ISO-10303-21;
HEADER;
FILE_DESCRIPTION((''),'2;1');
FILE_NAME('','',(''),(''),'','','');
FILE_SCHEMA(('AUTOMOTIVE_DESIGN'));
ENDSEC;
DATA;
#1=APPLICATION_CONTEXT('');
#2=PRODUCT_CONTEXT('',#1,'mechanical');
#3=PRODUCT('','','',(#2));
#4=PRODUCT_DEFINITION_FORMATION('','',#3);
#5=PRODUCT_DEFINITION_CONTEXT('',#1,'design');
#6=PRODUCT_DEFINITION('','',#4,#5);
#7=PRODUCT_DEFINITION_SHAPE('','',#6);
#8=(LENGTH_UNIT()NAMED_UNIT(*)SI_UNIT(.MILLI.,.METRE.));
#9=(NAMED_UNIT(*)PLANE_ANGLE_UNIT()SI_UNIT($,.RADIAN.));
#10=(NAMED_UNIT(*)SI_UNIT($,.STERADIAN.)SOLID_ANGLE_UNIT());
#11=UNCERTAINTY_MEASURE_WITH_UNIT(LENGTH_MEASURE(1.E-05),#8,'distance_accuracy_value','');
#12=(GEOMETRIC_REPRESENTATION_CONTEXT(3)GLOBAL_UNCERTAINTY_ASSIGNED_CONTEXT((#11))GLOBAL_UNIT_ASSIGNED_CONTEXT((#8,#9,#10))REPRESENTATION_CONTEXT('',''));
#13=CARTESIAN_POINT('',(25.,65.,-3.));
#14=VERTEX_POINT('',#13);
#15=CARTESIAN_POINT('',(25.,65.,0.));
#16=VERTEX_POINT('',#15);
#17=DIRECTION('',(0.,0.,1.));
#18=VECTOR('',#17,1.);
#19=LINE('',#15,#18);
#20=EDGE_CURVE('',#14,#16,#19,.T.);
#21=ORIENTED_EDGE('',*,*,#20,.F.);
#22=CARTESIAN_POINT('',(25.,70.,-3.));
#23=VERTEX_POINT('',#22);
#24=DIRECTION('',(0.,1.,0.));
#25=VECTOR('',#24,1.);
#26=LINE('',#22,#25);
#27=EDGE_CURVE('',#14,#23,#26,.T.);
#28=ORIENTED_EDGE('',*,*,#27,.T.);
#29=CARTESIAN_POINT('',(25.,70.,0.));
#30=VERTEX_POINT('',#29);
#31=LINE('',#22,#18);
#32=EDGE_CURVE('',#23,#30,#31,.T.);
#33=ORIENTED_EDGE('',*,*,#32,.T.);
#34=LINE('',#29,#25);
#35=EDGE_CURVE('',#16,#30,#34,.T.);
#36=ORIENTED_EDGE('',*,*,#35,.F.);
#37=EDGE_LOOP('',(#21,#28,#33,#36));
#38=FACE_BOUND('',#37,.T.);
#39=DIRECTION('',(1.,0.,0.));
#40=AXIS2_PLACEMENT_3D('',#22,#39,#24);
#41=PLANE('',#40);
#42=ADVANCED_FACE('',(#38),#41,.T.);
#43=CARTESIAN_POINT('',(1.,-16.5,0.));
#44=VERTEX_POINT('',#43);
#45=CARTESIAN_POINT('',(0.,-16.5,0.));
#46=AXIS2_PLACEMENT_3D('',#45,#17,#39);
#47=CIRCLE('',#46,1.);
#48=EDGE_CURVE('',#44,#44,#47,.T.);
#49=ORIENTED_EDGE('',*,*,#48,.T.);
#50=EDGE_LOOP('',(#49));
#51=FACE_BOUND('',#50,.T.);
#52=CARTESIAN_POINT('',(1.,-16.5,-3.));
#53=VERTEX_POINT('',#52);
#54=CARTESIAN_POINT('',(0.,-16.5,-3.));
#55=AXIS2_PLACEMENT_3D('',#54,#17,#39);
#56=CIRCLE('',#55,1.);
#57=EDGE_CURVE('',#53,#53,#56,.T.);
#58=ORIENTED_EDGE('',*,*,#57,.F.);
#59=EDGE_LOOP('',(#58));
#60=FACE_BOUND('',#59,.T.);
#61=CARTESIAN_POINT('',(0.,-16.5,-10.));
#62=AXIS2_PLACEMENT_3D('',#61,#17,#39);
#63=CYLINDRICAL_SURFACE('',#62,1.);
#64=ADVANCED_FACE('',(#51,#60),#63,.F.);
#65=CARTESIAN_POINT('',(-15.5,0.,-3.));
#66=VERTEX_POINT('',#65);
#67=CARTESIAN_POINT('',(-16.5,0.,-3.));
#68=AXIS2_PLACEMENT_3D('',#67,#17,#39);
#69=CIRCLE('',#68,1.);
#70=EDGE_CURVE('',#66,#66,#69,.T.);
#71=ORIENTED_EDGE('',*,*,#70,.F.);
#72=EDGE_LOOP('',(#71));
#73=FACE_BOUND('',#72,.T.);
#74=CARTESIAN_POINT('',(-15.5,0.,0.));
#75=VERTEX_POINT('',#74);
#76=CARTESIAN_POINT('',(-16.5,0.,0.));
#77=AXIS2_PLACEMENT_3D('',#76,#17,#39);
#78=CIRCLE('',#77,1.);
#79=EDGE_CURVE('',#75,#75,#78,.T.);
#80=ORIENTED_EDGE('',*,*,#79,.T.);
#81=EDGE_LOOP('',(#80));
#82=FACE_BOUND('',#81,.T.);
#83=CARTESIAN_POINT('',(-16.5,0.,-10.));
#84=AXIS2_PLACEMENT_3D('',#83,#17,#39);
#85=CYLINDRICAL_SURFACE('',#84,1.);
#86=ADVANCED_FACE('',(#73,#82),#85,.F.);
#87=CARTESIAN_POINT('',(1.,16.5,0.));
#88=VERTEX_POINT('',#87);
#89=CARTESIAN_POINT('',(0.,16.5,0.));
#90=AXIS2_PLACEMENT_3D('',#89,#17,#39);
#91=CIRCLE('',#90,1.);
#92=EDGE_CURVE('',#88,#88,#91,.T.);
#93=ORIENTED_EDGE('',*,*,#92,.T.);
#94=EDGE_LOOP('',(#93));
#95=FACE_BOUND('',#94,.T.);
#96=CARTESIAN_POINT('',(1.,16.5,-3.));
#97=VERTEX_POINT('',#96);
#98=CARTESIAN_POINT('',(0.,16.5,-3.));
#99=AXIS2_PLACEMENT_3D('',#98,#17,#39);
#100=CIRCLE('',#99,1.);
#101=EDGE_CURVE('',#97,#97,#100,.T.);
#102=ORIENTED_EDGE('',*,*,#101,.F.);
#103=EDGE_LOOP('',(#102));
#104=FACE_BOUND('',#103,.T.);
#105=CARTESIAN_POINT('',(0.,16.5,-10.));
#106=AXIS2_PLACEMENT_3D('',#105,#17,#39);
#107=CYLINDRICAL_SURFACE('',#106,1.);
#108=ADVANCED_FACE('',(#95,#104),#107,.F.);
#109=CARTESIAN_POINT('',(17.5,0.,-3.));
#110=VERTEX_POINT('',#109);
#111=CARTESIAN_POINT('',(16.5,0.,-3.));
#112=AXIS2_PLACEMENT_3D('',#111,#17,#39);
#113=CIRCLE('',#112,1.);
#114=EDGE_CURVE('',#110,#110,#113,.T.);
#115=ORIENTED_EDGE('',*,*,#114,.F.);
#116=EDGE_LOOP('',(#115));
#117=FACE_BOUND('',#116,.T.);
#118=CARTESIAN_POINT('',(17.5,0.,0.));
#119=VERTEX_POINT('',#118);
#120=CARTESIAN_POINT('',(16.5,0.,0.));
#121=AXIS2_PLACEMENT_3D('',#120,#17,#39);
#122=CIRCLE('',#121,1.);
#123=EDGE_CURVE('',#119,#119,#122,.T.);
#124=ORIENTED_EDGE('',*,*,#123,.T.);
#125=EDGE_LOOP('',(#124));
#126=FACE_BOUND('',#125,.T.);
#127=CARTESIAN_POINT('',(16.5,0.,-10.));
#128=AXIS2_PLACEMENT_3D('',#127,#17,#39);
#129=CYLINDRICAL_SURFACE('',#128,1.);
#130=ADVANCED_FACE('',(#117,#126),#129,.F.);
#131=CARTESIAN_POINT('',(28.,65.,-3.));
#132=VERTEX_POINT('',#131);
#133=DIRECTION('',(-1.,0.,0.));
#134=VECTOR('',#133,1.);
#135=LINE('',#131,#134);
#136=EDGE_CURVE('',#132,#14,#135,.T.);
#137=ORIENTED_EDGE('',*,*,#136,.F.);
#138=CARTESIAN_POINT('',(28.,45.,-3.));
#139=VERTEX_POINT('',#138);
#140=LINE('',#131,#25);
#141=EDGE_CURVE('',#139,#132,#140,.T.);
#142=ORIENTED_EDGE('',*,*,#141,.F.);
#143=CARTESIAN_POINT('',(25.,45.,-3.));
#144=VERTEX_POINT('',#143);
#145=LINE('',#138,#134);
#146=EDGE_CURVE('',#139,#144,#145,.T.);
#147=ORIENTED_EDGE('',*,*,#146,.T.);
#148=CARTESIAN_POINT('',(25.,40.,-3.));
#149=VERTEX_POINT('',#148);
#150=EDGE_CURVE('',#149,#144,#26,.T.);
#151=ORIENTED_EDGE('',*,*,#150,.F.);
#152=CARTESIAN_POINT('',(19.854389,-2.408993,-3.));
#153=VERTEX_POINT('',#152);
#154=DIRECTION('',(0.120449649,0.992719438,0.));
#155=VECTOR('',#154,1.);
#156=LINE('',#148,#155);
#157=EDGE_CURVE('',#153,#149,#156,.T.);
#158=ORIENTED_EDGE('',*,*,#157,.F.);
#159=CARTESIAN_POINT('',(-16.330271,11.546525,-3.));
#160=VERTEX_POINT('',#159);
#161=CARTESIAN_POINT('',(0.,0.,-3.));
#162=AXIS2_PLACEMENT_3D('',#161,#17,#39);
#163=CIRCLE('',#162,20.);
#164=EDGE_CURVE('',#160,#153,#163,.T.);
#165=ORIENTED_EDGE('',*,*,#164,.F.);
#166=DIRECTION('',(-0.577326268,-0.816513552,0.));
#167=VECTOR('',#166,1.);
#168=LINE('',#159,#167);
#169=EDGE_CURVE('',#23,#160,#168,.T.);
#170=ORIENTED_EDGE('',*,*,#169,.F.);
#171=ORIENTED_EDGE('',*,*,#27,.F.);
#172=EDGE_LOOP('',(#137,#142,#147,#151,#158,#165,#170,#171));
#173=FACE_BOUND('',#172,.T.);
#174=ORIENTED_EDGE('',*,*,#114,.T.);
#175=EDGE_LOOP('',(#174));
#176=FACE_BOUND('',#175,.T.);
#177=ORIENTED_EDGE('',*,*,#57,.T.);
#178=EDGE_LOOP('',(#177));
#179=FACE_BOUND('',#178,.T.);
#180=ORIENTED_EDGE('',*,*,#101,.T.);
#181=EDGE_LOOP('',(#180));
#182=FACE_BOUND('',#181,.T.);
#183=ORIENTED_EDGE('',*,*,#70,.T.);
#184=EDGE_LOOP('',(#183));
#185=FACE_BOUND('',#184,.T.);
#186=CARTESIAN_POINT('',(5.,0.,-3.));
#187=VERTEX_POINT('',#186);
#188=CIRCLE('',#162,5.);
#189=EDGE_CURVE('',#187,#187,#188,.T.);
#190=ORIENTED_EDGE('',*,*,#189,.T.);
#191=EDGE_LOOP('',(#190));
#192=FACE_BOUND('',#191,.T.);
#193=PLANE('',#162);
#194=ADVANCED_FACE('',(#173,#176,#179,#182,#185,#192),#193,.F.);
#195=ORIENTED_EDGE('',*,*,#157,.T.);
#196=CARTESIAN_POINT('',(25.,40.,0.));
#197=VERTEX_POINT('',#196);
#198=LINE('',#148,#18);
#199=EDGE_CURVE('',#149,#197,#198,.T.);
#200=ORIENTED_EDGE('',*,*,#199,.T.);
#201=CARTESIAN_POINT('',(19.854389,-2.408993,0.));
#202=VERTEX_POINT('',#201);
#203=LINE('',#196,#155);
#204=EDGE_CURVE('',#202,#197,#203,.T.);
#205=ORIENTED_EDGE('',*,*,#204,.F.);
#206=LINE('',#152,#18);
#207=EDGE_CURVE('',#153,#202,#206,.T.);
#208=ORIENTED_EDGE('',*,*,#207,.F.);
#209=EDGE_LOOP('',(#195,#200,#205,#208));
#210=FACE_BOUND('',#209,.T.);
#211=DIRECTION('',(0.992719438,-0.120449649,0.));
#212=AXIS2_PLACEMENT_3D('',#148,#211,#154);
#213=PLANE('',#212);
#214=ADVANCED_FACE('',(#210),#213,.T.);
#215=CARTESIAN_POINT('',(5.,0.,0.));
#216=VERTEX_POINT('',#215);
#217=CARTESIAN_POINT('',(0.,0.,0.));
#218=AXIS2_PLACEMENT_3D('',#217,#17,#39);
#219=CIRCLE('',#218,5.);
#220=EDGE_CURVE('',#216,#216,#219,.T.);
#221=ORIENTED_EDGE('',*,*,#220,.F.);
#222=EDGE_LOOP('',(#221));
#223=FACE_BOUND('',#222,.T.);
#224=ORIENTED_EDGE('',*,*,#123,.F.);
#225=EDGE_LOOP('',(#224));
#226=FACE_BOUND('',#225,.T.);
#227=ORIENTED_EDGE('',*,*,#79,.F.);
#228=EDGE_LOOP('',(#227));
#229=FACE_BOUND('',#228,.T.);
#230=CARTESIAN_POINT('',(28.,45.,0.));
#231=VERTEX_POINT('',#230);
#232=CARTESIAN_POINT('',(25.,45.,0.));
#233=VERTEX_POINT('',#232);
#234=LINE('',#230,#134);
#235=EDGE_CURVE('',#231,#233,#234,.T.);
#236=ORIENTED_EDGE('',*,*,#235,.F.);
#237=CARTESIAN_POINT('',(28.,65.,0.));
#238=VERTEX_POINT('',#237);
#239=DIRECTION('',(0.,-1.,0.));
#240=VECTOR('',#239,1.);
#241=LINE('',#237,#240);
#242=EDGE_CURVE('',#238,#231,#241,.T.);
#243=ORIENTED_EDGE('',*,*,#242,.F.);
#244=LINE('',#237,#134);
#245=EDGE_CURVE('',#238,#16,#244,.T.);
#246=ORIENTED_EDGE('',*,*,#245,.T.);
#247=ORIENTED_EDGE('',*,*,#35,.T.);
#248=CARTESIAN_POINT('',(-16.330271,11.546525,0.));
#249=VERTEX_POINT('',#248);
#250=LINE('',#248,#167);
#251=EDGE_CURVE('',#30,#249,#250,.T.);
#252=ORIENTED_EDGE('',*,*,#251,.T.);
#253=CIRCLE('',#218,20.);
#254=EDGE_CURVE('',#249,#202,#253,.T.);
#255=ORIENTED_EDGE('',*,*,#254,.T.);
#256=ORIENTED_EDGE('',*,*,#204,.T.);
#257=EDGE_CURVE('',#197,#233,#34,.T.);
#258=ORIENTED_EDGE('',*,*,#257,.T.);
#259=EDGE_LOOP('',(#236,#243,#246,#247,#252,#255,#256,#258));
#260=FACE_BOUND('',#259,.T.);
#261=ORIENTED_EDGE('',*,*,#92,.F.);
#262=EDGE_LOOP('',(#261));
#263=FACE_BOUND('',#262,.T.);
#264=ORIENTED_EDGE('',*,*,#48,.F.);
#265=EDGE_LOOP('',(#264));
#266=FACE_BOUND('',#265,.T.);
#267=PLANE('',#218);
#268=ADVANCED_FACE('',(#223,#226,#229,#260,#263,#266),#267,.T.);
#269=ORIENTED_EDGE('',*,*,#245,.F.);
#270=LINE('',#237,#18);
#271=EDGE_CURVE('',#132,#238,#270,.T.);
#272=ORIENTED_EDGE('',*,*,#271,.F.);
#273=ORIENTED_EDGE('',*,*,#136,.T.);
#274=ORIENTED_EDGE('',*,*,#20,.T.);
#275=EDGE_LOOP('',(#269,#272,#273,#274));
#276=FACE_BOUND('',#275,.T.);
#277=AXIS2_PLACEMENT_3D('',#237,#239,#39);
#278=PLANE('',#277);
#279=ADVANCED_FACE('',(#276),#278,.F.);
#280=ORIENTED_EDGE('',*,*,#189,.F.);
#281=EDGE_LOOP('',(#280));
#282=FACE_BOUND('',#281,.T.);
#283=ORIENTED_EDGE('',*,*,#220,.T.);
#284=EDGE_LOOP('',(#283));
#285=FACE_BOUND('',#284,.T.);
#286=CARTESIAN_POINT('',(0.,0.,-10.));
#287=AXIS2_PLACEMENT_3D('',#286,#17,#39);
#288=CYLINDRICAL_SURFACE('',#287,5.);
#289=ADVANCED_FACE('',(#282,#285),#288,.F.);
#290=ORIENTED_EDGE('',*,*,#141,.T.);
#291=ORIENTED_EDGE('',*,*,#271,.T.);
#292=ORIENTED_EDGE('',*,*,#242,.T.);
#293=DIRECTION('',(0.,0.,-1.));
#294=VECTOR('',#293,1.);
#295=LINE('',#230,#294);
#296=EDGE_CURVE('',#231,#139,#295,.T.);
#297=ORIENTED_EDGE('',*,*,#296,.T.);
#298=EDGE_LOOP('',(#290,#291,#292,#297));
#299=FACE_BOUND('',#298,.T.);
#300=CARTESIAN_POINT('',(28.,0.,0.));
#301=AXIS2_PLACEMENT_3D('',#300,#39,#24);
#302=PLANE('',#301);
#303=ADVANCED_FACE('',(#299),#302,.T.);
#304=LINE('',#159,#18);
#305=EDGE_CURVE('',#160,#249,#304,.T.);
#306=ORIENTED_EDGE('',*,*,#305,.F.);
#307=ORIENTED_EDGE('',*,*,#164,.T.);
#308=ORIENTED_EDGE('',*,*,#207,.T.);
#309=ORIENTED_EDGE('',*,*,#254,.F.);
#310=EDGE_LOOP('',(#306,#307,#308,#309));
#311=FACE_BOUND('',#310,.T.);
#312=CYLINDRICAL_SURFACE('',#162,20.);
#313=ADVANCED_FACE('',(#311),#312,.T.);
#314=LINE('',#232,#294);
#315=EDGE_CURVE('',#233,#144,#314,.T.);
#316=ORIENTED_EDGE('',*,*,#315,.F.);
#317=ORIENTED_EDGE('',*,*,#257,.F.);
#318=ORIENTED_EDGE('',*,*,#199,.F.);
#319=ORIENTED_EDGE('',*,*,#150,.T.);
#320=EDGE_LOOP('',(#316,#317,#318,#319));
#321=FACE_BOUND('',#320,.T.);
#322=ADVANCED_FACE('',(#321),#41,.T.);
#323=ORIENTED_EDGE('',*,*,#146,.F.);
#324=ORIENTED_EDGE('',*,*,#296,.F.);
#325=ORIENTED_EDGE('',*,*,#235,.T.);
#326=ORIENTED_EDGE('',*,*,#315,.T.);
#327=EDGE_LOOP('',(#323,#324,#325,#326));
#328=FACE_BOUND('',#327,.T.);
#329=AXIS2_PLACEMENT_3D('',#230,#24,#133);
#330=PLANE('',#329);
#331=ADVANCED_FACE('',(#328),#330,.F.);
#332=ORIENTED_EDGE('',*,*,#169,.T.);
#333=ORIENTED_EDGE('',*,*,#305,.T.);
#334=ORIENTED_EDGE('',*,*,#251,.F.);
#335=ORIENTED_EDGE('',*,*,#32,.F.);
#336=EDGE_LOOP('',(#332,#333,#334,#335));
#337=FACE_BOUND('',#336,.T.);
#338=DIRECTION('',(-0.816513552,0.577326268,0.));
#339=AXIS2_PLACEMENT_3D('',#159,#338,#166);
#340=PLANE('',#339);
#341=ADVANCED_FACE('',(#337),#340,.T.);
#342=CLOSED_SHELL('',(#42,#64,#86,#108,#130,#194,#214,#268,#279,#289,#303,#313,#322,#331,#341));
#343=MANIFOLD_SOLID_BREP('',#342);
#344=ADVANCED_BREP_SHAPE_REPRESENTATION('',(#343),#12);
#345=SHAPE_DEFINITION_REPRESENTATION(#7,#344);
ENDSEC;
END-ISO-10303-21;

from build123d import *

# Parameters (mm, degrees)
BOSS_EXTRUDE1_DEPTH = 3
SKETCH2_R           = 5
CUT_EXTRUDE1_DEPTH  = 10
SKETCH4_W           = 3
SKETCH4_H           = 20
BOSS_EXTRUDE3_DEPTH = 3
SKETCH5_R           = 1
CUT_EXTRUDE2_DEPTH  = 10


with BuildPart() as part:
    # Sketch1 → Boss-Extrude1 (new body)
    with BuildSketch(Plane.XY):
        with BuildLine():
            Line((-16.33027103, 11.546525368), (25, 70))
            Line((25, 70), (25, 40))
            Line((25, 40), (19.854388756, -2.408992972))
            ThreePointArc((19.854388756, -2.408992972), (-7.196803073, -18.660279353), (-16.33027103, 11.546525368))
        make_face()
    extrude(amount=-BOSS_EXTRUDE1_DEPTH)

    # Sketch2 → Cut-Extrude1 (cut)
    with BuildSketch(Plane.XY):
        Circle(SKETCH2_R)
    extrude(amount=-CUT_EXTRUDE1_DEPTH, mode=Mode.SUBTRACT)

    # Sketch4 → Boss-Extrude3 (add)
    with BuildSketch(Plane(origin=(25, 0, 0), x_dir=(0, 0, -1), z_dir=(1, 0, 0))):
        with Locations((1.5, 55)):
            Rectangle(SKETCH4_W, SKETCH4_H)
    extrude(amount=BOSS_EXTRUDE3_DEPTH)

    # Sketch5 → Cut-Extrude2 (cut)
    with BuildSketch(Plane.XY):
        with Locations((0, 16.5)):
            Circle(SKETCH5_R)
        with Locations((0, -16.5)):
            Circle(SKETCH5_R)
        with Locations((16.5, 0)):
            Circle(SKETCH5_R)
        with Locations((-16.5, 0)):
            Circle(SKETCH5_R)
    extrude(amount=-CUT_EXTRUDE2_DEPTH, mode=Mode.SUBTRACT)


solid = part.part
